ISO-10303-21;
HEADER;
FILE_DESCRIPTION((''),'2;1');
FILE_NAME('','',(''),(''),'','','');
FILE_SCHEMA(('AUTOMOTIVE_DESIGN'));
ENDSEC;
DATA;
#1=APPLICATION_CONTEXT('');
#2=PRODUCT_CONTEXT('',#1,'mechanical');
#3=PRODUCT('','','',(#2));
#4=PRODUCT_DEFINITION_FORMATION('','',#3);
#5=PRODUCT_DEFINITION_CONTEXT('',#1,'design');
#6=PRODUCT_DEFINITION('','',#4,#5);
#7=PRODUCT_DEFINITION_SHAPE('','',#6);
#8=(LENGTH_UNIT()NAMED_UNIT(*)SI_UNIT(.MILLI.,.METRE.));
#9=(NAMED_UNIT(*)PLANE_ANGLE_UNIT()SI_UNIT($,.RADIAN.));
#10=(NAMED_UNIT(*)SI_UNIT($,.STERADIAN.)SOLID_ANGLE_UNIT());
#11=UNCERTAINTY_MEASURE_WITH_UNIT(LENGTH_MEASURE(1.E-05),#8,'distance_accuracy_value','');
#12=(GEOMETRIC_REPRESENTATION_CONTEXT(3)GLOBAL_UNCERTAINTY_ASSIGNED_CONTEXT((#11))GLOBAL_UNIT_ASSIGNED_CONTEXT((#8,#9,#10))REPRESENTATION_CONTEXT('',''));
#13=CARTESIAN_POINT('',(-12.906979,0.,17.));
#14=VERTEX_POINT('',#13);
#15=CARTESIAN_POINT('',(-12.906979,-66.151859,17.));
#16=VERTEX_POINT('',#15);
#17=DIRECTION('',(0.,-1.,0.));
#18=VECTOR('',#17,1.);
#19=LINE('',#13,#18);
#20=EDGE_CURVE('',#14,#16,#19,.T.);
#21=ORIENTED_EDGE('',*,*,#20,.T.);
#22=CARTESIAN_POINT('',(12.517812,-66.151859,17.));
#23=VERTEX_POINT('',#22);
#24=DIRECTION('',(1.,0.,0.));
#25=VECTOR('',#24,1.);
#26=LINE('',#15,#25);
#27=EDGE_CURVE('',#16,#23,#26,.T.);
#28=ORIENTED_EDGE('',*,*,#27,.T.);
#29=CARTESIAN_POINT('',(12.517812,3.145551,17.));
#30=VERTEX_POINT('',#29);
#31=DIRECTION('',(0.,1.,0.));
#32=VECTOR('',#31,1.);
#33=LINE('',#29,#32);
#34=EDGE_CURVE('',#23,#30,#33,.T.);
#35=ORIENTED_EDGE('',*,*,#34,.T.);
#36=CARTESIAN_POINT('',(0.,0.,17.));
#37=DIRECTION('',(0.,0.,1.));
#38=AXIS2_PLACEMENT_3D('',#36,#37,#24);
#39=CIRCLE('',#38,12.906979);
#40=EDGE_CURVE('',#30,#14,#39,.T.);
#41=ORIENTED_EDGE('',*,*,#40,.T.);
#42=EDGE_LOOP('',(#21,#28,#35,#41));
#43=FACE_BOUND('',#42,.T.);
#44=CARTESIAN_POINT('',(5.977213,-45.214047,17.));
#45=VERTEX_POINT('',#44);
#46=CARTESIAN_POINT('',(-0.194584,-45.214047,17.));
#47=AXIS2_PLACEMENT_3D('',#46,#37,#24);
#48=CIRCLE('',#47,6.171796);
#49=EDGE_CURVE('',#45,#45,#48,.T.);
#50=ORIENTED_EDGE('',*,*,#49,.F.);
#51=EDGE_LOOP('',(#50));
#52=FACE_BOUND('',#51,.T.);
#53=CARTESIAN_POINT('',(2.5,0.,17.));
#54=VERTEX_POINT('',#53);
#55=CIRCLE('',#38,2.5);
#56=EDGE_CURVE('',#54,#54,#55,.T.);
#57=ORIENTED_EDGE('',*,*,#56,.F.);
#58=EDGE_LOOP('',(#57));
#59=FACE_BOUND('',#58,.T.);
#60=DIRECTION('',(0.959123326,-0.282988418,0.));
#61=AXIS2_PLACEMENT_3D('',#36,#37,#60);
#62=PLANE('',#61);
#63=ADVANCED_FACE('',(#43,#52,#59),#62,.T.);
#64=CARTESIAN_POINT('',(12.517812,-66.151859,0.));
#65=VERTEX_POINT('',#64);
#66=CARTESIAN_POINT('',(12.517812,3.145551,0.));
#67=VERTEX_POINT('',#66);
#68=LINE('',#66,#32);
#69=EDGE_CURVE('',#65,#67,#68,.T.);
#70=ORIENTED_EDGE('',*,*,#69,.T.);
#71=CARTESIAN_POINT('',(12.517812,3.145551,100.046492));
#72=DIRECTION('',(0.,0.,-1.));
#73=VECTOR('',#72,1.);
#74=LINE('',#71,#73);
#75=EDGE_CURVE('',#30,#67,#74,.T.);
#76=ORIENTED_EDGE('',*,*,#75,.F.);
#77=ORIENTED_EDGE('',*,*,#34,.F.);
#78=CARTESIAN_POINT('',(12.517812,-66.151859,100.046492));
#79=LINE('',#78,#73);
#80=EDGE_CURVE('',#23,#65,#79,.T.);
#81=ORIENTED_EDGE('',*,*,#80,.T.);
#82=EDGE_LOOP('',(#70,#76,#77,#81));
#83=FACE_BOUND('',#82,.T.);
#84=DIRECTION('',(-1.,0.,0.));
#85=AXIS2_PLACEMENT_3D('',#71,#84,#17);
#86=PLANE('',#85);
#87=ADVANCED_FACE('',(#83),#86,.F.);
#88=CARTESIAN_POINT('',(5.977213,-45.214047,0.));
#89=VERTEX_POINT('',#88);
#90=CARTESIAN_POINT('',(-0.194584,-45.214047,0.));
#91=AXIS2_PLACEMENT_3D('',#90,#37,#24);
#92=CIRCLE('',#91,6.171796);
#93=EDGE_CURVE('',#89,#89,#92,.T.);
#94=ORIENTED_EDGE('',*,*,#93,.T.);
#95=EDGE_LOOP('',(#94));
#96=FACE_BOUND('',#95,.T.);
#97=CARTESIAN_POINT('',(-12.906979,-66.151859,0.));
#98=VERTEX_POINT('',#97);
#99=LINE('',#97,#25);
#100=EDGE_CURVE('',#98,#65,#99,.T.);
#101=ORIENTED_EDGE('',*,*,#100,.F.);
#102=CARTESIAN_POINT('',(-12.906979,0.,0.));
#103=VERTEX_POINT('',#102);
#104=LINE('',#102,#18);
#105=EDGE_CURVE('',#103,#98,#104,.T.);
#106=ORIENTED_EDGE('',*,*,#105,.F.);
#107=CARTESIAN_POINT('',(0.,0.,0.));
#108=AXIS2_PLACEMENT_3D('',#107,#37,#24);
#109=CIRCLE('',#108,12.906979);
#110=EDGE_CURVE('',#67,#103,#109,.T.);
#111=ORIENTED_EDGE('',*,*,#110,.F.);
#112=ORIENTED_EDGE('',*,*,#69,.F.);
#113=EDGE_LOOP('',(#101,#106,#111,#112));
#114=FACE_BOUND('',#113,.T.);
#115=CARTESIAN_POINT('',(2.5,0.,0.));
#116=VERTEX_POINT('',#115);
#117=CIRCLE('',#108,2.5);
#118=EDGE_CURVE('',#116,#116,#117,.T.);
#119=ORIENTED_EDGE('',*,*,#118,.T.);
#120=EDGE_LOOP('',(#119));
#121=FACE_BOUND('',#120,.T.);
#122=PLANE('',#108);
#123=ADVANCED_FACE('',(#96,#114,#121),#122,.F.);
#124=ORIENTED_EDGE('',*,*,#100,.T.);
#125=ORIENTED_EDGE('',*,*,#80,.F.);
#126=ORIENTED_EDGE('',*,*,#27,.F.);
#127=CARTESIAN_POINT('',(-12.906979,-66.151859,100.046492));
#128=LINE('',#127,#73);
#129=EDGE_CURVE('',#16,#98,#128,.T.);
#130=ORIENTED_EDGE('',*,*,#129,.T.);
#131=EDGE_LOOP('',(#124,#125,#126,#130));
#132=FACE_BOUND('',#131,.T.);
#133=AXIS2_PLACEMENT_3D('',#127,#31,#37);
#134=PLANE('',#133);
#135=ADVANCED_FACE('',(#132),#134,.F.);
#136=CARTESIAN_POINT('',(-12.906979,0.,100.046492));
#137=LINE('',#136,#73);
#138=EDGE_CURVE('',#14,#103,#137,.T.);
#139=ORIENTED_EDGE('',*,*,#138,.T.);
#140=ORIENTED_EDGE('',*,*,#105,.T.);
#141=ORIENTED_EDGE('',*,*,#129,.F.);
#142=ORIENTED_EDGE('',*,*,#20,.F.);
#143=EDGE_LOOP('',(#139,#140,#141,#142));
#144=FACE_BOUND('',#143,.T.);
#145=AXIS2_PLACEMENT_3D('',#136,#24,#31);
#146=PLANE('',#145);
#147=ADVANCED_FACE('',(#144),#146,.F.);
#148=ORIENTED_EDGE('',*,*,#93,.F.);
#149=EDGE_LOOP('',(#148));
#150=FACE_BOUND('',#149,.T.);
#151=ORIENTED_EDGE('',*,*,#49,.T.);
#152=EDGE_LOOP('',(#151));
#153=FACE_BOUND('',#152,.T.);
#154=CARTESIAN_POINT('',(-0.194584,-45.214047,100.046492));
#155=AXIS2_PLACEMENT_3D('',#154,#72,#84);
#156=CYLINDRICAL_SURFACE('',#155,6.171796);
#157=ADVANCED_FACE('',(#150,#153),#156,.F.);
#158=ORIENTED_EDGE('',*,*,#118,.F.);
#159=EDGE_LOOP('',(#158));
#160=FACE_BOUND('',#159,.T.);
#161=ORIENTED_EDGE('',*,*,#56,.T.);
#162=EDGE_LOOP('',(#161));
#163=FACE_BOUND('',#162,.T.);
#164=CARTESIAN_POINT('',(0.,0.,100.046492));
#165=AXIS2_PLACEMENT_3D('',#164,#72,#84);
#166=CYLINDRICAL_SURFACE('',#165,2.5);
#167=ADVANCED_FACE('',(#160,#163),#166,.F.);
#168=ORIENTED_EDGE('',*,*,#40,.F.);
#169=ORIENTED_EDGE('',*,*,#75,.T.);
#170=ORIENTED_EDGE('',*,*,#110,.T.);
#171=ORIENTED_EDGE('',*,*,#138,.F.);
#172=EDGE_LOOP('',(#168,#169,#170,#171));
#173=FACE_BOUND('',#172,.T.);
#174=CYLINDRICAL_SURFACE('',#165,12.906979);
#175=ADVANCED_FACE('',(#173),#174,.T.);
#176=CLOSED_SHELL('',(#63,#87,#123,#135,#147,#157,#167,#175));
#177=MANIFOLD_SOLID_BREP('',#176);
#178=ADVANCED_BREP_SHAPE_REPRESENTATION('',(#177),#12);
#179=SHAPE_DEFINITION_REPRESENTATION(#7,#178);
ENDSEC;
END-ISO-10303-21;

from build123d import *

# Parameters (mm, degrees)
SKETCH1_R           = 2.5
SKETCH1_R_2         = 6.171796323
BOSS_EXTRUDE1_DEPTH = 17


with BuildPart() as part:
    # Sketch1 → Boss-Extrude1 (new body)
    with BuildSketch(Plane.XY):
        with BuildLine():
            Line((-12.906979053, 0), (-12.906979053, -66.151858576))
            Line((-12.906979053, -66.151858576), (12.517811956, -66.151858576))
            Line((12.517811956, -66.151858576), (12.517811956, 3.145551163))
            ThreePointArc((12.517811956, 3.145551163), (-1.584766793, 12.8093178), (-12.906979053, 0))
        make_face()
        Circle(SKETCH1_R, mode=Mode.SUBTRACT)
        with Locations((-0.194583549, -45.214046835)):
            Circle(SKETCH1_R_2, mode=Mode.SUBTRACT)
    extrude(amount=BOSS_EXTRUDE1_DEPTH)


solid = part.part
